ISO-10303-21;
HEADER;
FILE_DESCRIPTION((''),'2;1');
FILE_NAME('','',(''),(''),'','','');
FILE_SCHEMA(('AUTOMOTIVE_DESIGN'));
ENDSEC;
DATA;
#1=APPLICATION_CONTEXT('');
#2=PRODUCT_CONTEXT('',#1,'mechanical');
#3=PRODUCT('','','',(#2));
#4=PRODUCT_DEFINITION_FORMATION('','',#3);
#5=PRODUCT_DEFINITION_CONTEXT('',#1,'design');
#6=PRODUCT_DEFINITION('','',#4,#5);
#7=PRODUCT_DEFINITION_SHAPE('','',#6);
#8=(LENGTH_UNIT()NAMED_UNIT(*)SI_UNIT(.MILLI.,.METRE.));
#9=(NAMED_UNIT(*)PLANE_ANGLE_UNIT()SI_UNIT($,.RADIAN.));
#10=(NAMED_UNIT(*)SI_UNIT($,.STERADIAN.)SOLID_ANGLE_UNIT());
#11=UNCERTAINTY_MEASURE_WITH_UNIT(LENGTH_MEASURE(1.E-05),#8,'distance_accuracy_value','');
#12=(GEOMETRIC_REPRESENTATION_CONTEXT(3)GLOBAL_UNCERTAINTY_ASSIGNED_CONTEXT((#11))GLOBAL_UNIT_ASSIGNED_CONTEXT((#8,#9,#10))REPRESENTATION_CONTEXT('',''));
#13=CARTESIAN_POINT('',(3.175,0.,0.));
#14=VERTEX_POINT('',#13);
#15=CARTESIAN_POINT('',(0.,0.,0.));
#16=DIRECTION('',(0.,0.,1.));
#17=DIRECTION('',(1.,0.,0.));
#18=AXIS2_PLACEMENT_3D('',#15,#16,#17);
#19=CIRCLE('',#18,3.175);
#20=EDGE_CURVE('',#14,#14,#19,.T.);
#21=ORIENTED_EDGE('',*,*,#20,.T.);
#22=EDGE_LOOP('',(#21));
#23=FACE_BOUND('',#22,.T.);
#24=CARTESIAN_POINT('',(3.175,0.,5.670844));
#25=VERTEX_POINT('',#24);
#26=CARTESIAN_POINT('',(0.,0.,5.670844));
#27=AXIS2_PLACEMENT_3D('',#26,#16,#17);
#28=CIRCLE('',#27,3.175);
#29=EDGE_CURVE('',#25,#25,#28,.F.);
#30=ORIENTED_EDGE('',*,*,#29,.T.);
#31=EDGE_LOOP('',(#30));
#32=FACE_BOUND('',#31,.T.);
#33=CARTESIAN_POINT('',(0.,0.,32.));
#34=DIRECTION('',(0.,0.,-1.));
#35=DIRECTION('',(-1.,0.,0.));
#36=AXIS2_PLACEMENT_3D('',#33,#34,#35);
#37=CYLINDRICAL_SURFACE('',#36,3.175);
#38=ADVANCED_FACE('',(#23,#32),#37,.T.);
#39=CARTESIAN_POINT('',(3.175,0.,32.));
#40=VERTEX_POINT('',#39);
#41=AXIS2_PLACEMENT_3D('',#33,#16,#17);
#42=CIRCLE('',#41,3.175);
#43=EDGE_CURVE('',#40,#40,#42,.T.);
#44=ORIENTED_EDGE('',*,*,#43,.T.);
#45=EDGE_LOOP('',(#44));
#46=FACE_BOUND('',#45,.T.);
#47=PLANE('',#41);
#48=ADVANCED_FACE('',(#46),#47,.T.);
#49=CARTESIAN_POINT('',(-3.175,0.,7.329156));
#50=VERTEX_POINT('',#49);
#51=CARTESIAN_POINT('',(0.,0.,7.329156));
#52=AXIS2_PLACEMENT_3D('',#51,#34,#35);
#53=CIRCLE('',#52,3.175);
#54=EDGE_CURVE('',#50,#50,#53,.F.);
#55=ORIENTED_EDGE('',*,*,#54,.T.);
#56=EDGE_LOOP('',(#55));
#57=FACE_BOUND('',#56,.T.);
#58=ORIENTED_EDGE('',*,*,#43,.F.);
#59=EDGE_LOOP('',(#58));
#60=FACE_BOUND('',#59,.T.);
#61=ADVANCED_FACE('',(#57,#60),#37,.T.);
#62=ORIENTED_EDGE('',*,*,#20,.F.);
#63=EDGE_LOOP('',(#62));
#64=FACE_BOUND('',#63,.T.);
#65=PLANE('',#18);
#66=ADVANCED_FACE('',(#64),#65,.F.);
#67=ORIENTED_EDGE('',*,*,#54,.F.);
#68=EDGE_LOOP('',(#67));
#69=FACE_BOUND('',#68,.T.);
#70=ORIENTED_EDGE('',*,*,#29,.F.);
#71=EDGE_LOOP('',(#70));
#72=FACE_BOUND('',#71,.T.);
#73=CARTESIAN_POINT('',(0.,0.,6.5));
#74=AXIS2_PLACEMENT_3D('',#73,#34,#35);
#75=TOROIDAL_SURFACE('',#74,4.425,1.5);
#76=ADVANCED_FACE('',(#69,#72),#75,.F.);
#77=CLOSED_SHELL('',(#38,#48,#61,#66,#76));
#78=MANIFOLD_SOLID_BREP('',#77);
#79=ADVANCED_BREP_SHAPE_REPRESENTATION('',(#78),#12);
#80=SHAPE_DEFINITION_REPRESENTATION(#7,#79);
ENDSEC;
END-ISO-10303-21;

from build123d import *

# Parameters (mm, degrees)
SKETCH1_R           = 3.175
BOSS_EXTRUDE1_DEPTH = 32
SKETCH2_R           = 1.5


with BuildPart() as part:
    # Sketch1 → Boss-Extrude1 (new body)
    with BuildSketch(Plane.XY):
        Circle(SKETCH1_R)
    extrude(amount=BOSS_EXTRUDE1_DEPTH)

    # Sketch2 → Cut-Revolve1 (revolve, cut)
    with BuildSketch(Plane(origin=(0, 0, 0), x_dir=(0, 0, -1), z_dir=(1, 0, 0)), mode=Mode.PRIVATE) as cut_revolve1_sk:
        with Locations((-6.5, 4.425)):
            Circle(SKETCH2_R)
    revolve(cut_revolve1_sk.sketch.rotate(Axis((0, 0, 0), (0, 0, 1)), 90), axis=Axis((0, 0, 0), (0, 0, 1)), mode=Mode.SUBTRACT)


solid = part.part
